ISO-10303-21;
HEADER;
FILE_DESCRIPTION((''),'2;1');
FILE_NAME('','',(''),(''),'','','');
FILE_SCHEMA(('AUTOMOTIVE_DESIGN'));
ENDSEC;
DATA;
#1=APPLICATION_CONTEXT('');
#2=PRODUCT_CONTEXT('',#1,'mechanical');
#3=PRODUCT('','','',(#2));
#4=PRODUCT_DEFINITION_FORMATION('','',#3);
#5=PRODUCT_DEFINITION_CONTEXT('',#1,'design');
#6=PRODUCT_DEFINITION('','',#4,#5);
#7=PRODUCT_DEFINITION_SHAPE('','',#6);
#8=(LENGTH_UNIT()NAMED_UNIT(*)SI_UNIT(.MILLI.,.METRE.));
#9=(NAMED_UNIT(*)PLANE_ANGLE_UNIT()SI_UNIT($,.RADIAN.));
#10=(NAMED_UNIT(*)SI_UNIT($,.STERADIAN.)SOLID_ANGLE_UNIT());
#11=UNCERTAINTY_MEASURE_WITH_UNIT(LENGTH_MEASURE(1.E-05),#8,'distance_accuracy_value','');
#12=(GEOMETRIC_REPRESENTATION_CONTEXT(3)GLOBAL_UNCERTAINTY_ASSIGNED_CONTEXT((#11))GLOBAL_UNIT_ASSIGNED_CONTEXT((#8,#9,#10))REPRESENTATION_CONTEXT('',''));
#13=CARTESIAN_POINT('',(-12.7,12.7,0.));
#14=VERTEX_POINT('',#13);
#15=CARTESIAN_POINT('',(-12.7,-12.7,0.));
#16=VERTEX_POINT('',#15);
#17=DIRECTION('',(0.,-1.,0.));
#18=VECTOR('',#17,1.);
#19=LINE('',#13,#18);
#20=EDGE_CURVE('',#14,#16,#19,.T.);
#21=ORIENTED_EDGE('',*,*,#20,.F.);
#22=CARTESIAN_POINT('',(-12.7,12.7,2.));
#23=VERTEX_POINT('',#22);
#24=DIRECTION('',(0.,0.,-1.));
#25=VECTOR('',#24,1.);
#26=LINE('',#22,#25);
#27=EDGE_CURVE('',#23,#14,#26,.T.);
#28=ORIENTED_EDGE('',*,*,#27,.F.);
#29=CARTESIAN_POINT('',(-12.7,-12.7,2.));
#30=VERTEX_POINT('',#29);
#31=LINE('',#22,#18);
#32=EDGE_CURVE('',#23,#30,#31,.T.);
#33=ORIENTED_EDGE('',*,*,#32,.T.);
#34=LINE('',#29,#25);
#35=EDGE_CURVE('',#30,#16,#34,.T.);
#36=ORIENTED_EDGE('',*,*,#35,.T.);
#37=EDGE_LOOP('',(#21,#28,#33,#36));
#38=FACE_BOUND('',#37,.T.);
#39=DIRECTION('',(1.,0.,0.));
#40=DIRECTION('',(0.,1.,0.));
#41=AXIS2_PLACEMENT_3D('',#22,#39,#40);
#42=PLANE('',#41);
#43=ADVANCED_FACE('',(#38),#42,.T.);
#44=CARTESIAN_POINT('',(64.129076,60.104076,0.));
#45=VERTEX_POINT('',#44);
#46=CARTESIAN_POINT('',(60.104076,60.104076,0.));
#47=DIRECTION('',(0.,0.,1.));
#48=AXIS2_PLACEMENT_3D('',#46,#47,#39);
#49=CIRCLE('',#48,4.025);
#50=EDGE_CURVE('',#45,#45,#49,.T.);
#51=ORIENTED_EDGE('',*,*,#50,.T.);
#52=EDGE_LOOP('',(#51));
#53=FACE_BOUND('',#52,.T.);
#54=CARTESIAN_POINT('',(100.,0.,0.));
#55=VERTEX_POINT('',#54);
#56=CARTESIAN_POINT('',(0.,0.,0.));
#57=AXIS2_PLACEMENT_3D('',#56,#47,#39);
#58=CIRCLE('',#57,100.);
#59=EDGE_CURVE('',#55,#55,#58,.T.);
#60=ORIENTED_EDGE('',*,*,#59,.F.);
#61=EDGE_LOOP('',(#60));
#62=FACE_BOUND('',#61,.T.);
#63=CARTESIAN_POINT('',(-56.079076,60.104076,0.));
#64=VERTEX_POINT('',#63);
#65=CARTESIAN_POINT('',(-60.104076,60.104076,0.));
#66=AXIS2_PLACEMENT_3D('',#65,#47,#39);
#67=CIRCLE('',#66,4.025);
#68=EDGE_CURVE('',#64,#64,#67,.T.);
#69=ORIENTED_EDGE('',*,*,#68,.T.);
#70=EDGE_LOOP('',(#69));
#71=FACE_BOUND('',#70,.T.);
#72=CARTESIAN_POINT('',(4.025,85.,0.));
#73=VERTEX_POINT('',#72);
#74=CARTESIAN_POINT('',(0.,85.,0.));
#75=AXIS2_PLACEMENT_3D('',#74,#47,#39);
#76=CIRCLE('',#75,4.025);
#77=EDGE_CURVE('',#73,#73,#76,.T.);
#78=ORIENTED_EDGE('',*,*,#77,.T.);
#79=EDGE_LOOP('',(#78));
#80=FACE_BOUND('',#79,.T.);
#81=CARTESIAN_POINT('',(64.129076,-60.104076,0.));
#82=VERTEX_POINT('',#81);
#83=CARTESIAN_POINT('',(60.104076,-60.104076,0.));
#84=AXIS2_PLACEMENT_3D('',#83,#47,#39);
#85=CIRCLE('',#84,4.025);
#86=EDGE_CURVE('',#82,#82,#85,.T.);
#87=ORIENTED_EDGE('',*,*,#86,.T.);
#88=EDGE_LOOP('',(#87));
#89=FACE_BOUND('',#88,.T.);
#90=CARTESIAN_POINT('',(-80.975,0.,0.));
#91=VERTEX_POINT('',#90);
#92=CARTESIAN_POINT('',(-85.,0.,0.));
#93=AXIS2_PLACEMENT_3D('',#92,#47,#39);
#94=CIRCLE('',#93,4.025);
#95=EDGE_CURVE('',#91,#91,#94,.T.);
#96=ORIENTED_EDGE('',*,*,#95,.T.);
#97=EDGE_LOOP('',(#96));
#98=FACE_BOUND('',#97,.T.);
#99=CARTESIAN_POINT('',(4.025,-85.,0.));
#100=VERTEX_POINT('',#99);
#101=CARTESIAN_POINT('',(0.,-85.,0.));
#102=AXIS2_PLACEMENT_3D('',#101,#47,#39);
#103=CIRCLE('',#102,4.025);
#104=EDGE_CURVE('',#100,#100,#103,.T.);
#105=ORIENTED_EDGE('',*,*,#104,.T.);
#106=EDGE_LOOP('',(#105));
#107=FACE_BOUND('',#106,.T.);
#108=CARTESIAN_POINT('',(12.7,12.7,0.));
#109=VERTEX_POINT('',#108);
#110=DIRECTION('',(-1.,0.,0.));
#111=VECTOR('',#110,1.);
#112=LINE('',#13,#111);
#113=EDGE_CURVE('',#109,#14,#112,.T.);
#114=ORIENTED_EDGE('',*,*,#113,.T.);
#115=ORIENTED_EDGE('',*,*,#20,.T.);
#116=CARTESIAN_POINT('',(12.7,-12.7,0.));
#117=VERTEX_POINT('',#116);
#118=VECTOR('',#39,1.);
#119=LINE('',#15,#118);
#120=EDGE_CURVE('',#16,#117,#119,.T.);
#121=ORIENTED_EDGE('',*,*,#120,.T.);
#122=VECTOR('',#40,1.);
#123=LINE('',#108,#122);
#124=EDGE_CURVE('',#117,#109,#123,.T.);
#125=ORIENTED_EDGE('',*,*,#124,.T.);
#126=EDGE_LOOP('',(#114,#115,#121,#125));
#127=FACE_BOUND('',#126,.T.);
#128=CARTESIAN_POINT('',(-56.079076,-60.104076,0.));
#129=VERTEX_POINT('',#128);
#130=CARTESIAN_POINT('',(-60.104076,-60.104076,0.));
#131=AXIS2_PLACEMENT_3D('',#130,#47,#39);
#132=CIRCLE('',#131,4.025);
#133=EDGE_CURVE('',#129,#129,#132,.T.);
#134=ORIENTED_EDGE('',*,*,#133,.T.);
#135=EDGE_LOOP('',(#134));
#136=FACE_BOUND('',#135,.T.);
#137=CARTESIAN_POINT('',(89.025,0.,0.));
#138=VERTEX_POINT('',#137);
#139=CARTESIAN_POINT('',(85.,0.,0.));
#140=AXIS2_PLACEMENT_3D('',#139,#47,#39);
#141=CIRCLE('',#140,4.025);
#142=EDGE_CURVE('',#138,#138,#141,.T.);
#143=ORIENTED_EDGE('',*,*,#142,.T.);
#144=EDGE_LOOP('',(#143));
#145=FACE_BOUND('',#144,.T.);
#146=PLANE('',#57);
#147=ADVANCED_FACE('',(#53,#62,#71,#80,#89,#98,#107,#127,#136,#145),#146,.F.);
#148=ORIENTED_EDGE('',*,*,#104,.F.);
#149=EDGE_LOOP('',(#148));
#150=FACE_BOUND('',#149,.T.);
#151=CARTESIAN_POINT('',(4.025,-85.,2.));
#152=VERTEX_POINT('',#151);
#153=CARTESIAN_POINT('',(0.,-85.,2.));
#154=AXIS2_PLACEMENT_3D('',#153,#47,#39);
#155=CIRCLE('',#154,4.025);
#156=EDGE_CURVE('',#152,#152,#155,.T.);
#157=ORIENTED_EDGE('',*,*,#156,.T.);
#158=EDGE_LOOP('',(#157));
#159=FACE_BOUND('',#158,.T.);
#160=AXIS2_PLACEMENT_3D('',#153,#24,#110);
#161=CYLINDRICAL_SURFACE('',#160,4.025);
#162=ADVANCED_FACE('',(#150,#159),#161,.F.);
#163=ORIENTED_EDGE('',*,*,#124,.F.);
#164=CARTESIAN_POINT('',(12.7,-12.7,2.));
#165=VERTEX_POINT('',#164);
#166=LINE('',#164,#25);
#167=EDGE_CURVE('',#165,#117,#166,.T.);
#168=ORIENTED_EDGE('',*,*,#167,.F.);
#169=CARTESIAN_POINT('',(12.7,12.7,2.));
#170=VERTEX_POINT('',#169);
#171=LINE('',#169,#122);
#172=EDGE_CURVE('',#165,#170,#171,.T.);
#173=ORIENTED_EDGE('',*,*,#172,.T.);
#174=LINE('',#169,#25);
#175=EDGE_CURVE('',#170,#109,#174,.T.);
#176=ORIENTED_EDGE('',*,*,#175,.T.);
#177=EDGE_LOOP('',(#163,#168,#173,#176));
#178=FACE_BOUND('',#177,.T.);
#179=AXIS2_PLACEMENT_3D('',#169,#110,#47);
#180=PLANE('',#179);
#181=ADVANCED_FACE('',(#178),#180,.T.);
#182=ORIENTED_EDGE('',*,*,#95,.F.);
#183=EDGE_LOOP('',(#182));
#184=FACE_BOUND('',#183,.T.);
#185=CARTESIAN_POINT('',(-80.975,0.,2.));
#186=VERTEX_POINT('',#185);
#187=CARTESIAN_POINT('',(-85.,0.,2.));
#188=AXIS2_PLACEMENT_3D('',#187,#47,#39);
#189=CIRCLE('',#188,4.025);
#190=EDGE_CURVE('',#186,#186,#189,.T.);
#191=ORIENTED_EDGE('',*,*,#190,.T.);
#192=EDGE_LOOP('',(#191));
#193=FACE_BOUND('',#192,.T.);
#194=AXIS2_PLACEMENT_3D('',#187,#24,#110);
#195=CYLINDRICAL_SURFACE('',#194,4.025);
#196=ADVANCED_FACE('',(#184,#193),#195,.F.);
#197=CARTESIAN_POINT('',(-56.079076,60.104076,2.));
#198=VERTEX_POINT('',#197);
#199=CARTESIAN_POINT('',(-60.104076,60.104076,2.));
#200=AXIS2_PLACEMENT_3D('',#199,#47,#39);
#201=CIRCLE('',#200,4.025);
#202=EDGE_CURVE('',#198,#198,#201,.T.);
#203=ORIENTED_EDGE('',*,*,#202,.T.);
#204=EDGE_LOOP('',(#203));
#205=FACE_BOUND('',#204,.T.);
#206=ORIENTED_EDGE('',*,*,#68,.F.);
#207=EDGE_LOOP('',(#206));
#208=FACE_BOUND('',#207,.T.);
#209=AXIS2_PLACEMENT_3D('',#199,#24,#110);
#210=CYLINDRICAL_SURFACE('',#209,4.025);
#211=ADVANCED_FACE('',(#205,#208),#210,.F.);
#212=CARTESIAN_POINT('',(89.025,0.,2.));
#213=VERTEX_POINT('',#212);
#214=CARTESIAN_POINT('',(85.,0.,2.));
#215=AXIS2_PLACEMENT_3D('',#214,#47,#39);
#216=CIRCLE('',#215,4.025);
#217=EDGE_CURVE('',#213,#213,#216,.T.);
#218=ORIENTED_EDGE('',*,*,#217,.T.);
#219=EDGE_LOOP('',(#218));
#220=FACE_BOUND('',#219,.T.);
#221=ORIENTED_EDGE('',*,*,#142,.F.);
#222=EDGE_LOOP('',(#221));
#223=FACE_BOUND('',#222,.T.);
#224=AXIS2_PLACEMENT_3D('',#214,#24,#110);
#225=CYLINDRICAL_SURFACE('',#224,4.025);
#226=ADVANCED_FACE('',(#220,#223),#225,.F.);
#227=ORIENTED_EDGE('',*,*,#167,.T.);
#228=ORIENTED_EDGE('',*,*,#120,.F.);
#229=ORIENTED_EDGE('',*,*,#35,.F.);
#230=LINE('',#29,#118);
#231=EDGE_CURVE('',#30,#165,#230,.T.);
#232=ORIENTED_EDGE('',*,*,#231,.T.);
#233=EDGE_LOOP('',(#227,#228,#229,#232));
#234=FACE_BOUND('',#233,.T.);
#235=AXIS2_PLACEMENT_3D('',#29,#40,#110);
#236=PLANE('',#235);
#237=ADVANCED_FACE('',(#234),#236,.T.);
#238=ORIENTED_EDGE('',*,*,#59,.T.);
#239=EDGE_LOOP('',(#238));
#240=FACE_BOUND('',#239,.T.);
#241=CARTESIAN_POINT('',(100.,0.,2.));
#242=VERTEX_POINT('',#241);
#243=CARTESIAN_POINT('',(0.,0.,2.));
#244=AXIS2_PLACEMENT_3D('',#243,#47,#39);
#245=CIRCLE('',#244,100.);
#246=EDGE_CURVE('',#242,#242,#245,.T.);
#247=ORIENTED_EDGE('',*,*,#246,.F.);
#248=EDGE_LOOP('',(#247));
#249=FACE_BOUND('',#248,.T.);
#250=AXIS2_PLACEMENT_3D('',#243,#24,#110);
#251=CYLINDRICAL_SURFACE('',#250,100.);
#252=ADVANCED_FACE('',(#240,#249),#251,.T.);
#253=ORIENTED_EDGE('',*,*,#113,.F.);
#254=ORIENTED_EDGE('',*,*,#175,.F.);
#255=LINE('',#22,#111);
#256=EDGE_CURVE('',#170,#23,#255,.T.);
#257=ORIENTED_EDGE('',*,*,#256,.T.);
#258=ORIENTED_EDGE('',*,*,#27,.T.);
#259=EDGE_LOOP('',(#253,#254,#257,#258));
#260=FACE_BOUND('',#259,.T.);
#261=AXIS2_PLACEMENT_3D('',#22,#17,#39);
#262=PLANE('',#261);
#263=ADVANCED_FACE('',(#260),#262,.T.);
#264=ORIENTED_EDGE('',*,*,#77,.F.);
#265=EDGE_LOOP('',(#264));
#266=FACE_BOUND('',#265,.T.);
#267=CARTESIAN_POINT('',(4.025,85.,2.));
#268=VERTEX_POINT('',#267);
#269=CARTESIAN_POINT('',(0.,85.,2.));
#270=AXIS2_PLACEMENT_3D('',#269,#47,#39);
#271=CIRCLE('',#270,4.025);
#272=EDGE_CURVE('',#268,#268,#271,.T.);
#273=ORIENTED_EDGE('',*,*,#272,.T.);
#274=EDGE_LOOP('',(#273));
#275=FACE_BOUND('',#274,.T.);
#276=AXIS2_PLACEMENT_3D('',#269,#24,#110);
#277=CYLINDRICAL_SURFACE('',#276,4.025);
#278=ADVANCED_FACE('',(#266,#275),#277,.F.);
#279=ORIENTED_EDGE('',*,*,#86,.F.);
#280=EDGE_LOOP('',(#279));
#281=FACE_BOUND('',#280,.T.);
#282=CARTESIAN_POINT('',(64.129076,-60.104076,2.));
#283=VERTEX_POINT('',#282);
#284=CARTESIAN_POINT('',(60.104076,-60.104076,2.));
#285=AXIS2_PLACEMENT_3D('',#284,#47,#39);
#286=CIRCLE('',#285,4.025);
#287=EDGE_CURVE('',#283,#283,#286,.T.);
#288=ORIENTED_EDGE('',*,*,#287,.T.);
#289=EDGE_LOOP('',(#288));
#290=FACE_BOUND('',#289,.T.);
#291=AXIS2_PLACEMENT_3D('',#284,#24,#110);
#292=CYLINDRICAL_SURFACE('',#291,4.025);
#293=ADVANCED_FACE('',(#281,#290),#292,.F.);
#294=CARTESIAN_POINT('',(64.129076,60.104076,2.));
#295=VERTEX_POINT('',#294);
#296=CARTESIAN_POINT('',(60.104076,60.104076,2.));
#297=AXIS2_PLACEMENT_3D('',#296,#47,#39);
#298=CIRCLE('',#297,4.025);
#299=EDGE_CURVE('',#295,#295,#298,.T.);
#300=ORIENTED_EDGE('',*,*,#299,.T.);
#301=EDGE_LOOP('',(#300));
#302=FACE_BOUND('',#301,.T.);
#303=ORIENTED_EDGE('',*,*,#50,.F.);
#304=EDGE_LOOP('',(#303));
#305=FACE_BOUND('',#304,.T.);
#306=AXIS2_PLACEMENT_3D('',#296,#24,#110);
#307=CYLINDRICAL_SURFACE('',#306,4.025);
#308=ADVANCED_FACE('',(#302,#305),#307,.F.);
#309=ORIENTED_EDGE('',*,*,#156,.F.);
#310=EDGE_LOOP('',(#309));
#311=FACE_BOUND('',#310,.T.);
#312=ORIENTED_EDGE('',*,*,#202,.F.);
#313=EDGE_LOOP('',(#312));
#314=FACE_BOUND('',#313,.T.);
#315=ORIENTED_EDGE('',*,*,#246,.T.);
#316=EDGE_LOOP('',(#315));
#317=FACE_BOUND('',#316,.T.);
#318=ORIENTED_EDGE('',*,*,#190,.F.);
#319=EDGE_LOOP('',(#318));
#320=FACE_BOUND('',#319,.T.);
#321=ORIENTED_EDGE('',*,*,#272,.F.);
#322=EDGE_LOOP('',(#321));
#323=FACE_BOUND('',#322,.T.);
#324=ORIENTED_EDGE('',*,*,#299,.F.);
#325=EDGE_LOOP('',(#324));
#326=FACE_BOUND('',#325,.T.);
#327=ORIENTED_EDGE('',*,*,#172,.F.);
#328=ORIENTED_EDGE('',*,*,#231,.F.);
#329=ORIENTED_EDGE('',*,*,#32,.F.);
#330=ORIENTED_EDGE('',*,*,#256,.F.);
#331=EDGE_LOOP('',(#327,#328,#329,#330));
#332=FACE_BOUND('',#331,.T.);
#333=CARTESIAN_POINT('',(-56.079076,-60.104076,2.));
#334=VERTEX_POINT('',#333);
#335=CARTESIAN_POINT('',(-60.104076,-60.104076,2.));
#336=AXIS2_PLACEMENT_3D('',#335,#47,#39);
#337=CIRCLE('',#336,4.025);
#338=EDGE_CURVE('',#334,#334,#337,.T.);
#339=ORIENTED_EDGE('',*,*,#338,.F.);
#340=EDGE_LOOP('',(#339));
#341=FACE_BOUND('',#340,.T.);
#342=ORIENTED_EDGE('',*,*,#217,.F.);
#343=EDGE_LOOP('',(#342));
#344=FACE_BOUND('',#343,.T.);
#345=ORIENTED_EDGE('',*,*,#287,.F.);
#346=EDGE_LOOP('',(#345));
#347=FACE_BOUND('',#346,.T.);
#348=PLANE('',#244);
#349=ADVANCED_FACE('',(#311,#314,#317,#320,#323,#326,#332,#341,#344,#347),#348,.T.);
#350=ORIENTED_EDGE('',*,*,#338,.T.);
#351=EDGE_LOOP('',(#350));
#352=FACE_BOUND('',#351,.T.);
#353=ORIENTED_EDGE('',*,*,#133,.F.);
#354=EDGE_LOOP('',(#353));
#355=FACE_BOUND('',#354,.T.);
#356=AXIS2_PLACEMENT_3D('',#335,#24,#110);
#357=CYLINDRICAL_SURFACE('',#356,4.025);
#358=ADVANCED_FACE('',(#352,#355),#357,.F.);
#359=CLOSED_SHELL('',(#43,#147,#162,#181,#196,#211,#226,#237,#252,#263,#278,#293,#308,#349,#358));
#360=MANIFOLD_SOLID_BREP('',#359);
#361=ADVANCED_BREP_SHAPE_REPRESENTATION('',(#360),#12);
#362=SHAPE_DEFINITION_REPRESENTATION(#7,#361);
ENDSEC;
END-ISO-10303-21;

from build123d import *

# Parameters (mm, degrees)
CROQUIS1_R              = 100
CROQUIS1_R_2            = 4.025
CROQUIS1_W              = 25.4
CROQUIS1_H              = 25.4
SALIENTE_EXTRUIR1_DEPTH = 2


with BuildPart() as part:
    # Croquis1 → Saliente-Extruir1 (new body)
    with BuildSketch(Plane.XY):
        Circle(CROQUIS1_R)
        with Locations((0, 85)):
            Circle(CROQUIS1_R_2, mode=Mode.SUBTRACT)
        with Locations((60.104076401, 60.104076401)):
            Circle(CROQUIS1_R_2, mode=Mode.SUBTRACT)
        with Locations((85, 0)):
            Circle(CROQUIS1_R_2, mode=Mode.SUBTRACT)
        with Locations((60.104076401, -60.104076401)):
            Circle(CROQUIS1_R_2, mode=Mode.SUBTRACT)
        with Locations((0, -85)):
            Circle(CROQUIS1_R_2, mode=Mode.SUBTRACT)
        with Locations((-60.104076401, -60.104076401)):
            Circle(CROQUIS1_R_2, mode=Mode.SUBTRACT)
        with Locations((-85, 0)):
            Circle(CROQUIS1_R_2, mode=Mode.SUBTRACT)
        with Locations((-60.104076401, 60.104076401)):
            Circle(CROQUIS1_R_2, mode=Mode.SUBTRACT)
        Rectangle(CROQUIS1_W, CROQUIS1_H, mode=Mode.SUBTRACT)
    extrude(amount=SALIENTE_EXTRUIR1_DEPTH)


solid = part.part
